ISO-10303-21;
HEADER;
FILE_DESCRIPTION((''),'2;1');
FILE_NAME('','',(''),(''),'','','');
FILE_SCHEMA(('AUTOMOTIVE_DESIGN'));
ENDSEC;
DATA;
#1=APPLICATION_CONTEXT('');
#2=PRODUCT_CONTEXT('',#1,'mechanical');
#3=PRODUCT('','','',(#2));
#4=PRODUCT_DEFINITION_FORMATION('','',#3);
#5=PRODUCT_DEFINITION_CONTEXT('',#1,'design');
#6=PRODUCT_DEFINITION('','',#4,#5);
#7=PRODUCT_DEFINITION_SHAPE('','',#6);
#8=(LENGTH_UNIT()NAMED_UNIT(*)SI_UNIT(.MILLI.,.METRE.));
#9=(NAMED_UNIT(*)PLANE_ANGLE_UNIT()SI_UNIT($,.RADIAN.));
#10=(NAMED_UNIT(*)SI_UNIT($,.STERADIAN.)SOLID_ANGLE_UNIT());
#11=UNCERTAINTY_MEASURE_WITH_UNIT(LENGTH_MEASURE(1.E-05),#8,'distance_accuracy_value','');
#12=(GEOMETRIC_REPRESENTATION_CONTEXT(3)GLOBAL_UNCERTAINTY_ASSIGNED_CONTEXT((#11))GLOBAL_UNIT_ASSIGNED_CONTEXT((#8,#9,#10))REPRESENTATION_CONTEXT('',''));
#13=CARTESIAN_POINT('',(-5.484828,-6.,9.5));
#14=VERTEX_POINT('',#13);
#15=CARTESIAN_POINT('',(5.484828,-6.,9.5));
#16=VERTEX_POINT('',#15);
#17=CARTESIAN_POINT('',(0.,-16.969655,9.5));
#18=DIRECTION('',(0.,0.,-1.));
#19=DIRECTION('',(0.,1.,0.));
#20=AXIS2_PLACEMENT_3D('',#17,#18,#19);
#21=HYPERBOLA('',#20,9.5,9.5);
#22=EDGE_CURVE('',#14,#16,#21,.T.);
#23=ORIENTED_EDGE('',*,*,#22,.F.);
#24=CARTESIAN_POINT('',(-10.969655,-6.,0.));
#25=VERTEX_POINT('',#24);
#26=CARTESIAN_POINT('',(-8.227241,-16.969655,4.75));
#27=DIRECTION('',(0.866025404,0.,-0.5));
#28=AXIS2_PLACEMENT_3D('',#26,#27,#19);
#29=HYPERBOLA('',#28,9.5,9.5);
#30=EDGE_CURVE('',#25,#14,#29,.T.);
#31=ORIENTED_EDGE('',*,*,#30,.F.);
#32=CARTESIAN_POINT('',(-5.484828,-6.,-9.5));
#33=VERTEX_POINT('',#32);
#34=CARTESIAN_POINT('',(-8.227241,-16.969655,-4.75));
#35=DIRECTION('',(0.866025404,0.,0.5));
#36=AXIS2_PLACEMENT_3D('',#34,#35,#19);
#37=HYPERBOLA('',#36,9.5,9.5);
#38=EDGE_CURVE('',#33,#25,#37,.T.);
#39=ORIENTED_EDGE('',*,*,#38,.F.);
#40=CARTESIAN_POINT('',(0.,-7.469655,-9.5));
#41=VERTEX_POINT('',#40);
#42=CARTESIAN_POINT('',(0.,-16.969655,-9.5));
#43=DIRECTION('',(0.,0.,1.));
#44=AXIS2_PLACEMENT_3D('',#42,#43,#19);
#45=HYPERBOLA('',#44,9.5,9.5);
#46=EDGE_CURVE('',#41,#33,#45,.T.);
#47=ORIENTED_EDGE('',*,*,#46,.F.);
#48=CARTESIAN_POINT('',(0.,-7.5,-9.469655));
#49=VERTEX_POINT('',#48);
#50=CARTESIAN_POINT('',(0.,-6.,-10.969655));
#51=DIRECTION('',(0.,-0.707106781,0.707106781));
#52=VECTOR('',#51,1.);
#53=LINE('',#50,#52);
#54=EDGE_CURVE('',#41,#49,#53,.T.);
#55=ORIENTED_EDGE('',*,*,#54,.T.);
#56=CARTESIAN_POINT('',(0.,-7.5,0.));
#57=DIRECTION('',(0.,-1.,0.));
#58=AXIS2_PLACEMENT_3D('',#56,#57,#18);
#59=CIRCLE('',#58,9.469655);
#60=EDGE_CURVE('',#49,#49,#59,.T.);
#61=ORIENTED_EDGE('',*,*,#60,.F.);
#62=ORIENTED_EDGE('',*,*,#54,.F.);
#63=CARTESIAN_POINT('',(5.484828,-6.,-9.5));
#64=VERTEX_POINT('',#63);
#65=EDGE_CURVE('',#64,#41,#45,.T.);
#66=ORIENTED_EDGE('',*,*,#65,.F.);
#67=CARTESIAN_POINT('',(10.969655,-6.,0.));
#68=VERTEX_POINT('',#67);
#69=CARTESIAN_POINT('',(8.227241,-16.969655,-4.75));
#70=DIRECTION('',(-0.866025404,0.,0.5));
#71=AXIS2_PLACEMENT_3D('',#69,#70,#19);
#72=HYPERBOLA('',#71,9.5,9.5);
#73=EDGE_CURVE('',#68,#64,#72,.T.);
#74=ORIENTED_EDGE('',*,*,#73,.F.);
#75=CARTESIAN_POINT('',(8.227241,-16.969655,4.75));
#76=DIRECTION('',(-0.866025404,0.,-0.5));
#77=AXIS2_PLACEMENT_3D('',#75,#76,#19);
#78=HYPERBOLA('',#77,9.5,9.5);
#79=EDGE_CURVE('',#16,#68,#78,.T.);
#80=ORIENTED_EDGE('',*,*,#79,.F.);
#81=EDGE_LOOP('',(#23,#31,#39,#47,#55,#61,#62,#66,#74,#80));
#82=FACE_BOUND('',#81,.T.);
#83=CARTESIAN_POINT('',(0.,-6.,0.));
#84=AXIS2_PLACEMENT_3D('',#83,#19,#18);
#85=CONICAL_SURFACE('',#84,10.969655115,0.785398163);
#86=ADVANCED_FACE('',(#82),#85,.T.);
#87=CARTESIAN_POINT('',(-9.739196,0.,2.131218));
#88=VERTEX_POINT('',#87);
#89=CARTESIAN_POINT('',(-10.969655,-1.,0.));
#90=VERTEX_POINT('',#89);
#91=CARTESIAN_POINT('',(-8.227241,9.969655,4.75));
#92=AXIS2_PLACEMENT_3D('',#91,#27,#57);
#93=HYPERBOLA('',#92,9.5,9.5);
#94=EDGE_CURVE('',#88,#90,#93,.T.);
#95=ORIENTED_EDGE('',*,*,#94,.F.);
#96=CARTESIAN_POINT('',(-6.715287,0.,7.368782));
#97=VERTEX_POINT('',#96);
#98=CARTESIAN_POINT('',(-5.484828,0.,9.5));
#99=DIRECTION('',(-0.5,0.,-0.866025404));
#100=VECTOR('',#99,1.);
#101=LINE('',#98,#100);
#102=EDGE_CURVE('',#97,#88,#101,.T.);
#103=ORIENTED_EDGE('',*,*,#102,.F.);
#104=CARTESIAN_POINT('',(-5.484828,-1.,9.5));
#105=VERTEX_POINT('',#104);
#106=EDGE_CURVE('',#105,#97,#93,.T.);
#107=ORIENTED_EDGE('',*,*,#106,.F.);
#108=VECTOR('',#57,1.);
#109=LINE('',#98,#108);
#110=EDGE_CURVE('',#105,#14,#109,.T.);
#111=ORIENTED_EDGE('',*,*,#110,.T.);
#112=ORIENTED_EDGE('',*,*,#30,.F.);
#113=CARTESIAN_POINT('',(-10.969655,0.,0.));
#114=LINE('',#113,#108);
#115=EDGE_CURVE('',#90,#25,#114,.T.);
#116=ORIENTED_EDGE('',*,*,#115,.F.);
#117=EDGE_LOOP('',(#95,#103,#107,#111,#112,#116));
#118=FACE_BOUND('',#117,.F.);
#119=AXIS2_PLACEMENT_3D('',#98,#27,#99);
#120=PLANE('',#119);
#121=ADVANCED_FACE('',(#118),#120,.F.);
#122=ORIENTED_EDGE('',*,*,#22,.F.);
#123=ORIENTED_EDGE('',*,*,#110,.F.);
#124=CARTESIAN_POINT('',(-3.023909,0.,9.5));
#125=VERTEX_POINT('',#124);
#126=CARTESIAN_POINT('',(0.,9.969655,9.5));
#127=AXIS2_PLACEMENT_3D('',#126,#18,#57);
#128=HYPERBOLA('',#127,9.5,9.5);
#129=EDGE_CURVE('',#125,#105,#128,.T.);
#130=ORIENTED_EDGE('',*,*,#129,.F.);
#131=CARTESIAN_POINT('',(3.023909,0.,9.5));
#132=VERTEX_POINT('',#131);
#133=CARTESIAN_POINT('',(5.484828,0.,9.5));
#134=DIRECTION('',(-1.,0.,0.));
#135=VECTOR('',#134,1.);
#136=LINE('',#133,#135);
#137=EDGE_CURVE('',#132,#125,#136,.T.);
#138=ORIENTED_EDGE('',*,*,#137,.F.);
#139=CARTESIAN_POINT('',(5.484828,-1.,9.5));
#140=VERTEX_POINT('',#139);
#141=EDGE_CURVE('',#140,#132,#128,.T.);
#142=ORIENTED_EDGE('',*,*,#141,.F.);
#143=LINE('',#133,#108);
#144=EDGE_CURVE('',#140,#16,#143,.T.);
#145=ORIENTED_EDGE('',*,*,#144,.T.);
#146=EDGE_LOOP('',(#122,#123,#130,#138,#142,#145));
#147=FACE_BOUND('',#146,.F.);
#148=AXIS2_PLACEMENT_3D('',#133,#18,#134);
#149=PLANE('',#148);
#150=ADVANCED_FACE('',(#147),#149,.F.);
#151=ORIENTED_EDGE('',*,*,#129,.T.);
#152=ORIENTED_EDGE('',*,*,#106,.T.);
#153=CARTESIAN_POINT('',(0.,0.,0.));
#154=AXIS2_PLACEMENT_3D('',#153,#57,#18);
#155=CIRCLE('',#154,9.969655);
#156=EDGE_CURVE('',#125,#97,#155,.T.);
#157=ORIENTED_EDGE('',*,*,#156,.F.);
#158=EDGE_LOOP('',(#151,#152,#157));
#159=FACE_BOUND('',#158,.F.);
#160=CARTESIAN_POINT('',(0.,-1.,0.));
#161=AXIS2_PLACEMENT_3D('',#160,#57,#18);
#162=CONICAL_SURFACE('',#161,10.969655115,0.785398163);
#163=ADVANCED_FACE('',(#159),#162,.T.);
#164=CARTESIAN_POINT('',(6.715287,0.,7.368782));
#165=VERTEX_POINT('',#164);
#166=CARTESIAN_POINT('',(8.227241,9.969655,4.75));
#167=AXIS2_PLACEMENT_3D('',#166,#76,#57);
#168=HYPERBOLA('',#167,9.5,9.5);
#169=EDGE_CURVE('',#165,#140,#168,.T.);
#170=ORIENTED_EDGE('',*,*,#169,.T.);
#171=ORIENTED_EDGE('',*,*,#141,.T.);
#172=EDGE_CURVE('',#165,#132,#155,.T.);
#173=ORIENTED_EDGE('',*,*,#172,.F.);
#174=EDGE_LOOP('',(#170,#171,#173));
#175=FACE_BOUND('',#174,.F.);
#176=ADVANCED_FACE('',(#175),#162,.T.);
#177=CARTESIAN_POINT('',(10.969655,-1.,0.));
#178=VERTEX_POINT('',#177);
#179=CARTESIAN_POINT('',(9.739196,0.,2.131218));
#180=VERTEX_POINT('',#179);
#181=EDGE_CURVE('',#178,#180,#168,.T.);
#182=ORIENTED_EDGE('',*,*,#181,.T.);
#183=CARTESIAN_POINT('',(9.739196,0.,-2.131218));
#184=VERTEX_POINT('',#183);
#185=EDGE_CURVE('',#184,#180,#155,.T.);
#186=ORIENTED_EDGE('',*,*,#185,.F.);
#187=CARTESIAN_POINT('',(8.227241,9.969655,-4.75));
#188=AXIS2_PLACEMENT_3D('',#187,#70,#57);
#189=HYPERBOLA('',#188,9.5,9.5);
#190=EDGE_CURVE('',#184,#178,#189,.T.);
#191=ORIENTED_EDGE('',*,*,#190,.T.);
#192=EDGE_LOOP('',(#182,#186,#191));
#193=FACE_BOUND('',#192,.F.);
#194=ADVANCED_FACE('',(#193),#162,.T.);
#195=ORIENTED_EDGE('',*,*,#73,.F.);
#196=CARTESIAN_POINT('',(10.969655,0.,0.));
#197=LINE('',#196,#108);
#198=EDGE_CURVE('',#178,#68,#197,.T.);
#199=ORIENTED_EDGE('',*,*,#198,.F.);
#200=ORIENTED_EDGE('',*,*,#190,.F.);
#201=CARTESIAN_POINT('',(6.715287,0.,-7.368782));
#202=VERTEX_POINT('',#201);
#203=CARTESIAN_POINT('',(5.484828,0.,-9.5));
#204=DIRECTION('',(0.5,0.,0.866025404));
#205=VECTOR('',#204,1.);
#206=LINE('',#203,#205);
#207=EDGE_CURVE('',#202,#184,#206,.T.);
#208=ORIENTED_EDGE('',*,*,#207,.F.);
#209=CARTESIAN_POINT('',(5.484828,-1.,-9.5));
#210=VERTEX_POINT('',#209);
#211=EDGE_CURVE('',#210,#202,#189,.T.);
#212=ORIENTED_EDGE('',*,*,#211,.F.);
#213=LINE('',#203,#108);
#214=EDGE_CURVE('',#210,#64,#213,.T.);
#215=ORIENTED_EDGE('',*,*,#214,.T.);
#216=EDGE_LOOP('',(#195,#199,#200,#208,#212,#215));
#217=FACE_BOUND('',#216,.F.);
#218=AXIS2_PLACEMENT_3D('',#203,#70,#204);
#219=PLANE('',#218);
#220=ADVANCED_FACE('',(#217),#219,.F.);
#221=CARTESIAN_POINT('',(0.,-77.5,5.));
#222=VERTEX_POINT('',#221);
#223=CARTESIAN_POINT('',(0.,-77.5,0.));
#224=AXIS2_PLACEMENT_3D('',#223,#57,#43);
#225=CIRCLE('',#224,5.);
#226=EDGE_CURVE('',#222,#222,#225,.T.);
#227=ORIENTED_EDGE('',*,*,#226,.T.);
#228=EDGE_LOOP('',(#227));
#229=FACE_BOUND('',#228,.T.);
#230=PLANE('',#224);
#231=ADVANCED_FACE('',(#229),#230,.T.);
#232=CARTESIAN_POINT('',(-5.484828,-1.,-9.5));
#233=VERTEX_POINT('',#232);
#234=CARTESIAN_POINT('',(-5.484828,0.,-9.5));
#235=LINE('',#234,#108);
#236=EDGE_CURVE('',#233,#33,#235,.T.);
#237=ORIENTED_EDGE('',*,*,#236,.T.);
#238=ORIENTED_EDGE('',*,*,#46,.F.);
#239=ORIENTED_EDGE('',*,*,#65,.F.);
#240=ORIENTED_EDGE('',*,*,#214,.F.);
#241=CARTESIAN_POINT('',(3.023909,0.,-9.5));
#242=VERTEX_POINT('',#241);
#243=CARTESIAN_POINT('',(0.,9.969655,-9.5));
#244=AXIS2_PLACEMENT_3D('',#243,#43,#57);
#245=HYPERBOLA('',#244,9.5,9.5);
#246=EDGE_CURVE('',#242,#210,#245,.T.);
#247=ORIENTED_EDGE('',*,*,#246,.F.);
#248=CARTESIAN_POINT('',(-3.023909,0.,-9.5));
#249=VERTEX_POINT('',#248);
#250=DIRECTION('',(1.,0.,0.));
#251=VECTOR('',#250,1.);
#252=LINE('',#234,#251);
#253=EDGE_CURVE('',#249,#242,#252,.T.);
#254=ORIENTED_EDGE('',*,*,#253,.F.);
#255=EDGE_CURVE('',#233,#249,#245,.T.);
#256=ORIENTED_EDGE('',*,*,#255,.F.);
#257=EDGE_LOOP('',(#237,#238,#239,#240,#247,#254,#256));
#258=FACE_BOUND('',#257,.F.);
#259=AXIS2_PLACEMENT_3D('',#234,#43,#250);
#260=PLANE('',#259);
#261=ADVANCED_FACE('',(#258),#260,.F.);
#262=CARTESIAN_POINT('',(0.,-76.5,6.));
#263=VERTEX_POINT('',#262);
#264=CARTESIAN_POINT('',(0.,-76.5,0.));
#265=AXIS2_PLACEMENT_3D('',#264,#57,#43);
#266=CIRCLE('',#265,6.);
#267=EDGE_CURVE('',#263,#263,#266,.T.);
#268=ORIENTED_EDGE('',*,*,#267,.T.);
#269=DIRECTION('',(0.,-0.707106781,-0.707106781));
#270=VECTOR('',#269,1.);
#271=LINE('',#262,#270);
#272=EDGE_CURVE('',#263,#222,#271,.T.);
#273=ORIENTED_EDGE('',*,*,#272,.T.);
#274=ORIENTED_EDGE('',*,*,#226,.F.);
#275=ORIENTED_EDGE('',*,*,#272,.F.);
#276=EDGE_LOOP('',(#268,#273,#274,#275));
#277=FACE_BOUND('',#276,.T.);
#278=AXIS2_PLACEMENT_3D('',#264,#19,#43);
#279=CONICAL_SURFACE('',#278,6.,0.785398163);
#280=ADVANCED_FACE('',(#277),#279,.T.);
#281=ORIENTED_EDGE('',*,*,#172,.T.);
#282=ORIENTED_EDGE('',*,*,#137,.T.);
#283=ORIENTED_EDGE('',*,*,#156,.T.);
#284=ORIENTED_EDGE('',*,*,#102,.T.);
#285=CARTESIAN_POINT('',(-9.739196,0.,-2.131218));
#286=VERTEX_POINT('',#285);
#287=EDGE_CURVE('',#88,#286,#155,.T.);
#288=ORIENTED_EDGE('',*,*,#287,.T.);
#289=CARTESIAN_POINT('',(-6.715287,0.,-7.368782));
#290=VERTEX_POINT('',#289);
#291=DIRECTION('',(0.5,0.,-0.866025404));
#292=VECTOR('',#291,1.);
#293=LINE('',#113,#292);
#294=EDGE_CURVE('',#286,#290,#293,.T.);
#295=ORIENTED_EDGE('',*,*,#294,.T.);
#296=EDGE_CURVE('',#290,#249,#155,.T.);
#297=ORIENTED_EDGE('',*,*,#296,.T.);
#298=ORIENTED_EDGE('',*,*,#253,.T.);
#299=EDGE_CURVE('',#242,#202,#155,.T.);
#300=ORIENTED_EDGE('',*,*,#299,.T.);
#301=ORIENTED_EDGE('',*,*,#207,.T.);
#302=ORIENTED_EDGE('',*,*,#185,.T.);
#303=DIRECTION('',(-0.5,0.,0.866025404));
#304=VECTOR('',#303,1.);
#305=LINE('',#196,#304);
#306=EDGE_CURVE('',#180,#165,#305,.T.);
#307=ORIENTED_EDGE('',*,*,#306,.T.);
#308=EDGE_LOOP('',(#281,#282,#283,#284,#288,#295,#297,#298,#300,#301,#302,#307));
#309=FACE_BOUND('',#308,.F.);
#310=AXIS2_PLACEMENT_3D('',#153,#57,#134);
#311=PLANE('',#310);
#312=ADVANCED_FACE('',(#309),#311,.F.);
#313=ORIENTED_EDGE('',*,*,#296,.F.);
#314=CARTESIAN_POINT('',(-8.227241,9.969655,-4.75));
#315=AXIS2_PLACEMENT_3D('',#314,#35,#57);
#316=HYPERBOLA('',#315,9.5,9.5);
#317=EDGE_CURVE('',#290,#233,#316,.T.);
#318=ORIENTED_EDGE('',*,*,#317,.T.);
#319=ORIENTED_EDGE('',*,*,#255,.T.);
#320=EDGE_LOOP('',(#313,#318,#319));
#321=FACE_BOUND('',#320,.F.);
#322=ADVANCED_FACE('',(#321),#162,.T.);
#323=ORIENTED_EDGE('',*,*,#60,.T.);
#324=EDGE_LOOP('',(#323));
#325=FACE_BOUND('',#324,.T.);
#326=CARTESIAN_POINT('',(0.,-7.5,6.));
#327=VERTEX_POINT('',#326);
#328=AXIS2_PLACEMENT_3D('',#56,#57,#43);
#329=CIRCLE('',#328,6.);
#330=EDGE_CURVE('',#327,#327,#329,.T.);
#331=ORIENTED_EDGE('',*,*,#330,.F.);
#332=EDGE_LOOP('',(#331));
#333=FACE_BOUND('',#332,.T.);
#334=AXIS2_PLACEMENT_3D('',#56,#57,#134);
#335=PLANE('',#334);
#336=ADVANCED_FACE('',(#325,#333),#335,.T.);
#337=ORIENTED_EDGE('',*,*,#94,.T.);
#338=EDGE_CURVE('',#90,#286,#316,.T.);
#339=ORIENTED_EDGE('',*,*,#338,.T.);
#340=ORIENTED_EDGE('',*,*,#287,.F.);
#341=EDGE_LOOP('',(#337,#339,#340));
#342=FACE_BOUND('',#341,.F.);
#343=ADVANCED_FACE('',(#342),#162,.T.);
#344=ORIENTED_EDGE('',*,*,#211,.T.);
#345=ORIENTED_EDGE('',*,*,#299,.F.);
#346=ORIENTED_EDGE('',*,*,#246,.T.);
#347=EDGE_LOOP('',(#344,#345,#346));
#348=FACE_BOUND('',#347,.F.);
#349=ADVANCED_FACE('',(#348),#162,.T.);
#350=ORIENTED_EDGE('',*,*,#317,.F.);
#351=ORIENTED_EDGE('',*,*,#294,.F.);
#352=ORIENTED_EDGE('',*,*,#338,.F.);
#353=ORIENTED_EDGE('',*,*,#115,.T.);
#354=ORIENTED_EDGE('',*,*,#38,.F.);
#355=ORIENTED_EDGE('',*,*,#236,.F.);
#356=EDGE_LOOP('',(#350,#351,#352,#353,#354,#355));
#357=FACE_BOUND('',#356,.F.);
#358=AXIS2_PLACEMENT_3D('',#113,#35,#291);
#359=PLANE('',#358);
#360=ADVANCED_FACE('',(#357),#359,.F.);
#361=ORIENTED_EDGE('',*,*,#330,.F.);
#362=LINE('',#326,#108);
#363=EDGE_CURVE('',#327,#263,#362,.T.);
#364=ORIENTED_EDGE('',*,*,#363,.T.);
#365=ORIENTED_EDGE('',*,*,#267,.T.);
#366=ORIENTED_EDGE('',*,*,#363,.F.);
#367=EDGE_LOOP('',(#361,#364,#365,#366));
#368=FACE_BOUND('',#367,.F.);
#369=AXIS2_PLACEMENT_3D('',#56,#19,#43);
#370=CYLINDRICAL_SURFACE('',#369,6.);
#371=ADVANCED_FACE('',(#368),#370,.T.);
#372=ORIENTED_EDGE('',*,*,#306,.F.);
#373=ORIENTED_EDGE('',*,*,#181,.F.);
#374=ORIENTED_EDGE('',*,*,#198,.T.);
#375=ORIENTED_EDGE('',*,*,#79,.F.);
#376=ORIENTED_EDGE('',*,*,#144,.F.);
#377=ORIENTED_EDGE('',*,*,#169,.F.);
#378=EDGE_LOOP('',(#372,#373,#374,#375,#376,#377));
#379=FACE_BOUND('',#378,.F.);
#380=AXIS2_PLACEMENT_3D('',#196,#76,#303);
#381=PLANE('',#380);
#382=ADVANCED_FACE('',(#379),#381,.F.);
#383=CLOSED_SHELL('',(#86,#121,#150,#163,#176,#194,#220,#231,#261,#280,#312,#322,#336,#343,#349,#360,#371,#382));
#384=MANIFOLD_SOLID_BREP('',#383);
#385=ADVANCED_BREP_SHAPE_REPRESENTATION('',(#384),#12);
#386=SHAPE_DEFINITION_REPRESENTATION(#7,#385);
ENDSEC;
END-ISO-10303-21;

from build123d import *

# Parameters (mm, degrees)
EXTRUDE_1_DEPTH = 7.5
SKETCH_5_R      = 6
EXTRUDE_2_DEPTH = 70
CHAMFER_1_SIZE  = 1


with BuildPart() as part:
    # Эскиз1 → Вытянуть1 (new body)
    with BuildSketch(Plane(origin=(0, 0, 0), x_dir=(1, 0, 0), z_dir=(0, 1, 0))):
        Polygon((-5.484827557, 9.5), (5.484827557, 9.5), (10.969655115, 0), (5.484827557, -9.5), (-5.484827557, -9.5), (-10.969655115, 0), align=None)
    extrude(amount=-EXTRUDE_1_DEPTH)

    # Эскиз5 → Вытянуть2 (add)
    with BuildSketch(Plane.XZ.offset(7.5)):
        with Locations(Location((0, 0, 0), (0, 0, 90))):
            Circle(SKETCH_5_R)
    extrude(amount=EXTRUDE_2_DEPTH)

    # Фаска1
    chamfer_1_edges = [part.edges().sort_by_distance(p)[0] for p in [
        (0, -77.5, -6),
    ]]
    chamfer(chamfer_1_edges, length=CHAMFER_1_SIZE)

    # Эскиз4 → Вырез-Повернуть1 (revolve, cut)
    with BuildSketch(Plane.XY, mode=Mode.PRIVATE) as cut_revolve_1_sk:
        Polygon((-10.969655115, -1), (-9.969655115, 0), (-10.969655115, 0), align=None)
        Polygon((-10.969655115, -6), (-9.469655115, -7.5), (-10.969655115, -7.5), align=None)
    revolve(cut_revolve_1_sk.sketch.rotate(Axis((0, -7.5, 0), (0, -1, 0)), 90), axis=Axis((0, -7.5, 0), (0, -1, 0)), mode=Mode.SUBTRACT)


solid = part.part
